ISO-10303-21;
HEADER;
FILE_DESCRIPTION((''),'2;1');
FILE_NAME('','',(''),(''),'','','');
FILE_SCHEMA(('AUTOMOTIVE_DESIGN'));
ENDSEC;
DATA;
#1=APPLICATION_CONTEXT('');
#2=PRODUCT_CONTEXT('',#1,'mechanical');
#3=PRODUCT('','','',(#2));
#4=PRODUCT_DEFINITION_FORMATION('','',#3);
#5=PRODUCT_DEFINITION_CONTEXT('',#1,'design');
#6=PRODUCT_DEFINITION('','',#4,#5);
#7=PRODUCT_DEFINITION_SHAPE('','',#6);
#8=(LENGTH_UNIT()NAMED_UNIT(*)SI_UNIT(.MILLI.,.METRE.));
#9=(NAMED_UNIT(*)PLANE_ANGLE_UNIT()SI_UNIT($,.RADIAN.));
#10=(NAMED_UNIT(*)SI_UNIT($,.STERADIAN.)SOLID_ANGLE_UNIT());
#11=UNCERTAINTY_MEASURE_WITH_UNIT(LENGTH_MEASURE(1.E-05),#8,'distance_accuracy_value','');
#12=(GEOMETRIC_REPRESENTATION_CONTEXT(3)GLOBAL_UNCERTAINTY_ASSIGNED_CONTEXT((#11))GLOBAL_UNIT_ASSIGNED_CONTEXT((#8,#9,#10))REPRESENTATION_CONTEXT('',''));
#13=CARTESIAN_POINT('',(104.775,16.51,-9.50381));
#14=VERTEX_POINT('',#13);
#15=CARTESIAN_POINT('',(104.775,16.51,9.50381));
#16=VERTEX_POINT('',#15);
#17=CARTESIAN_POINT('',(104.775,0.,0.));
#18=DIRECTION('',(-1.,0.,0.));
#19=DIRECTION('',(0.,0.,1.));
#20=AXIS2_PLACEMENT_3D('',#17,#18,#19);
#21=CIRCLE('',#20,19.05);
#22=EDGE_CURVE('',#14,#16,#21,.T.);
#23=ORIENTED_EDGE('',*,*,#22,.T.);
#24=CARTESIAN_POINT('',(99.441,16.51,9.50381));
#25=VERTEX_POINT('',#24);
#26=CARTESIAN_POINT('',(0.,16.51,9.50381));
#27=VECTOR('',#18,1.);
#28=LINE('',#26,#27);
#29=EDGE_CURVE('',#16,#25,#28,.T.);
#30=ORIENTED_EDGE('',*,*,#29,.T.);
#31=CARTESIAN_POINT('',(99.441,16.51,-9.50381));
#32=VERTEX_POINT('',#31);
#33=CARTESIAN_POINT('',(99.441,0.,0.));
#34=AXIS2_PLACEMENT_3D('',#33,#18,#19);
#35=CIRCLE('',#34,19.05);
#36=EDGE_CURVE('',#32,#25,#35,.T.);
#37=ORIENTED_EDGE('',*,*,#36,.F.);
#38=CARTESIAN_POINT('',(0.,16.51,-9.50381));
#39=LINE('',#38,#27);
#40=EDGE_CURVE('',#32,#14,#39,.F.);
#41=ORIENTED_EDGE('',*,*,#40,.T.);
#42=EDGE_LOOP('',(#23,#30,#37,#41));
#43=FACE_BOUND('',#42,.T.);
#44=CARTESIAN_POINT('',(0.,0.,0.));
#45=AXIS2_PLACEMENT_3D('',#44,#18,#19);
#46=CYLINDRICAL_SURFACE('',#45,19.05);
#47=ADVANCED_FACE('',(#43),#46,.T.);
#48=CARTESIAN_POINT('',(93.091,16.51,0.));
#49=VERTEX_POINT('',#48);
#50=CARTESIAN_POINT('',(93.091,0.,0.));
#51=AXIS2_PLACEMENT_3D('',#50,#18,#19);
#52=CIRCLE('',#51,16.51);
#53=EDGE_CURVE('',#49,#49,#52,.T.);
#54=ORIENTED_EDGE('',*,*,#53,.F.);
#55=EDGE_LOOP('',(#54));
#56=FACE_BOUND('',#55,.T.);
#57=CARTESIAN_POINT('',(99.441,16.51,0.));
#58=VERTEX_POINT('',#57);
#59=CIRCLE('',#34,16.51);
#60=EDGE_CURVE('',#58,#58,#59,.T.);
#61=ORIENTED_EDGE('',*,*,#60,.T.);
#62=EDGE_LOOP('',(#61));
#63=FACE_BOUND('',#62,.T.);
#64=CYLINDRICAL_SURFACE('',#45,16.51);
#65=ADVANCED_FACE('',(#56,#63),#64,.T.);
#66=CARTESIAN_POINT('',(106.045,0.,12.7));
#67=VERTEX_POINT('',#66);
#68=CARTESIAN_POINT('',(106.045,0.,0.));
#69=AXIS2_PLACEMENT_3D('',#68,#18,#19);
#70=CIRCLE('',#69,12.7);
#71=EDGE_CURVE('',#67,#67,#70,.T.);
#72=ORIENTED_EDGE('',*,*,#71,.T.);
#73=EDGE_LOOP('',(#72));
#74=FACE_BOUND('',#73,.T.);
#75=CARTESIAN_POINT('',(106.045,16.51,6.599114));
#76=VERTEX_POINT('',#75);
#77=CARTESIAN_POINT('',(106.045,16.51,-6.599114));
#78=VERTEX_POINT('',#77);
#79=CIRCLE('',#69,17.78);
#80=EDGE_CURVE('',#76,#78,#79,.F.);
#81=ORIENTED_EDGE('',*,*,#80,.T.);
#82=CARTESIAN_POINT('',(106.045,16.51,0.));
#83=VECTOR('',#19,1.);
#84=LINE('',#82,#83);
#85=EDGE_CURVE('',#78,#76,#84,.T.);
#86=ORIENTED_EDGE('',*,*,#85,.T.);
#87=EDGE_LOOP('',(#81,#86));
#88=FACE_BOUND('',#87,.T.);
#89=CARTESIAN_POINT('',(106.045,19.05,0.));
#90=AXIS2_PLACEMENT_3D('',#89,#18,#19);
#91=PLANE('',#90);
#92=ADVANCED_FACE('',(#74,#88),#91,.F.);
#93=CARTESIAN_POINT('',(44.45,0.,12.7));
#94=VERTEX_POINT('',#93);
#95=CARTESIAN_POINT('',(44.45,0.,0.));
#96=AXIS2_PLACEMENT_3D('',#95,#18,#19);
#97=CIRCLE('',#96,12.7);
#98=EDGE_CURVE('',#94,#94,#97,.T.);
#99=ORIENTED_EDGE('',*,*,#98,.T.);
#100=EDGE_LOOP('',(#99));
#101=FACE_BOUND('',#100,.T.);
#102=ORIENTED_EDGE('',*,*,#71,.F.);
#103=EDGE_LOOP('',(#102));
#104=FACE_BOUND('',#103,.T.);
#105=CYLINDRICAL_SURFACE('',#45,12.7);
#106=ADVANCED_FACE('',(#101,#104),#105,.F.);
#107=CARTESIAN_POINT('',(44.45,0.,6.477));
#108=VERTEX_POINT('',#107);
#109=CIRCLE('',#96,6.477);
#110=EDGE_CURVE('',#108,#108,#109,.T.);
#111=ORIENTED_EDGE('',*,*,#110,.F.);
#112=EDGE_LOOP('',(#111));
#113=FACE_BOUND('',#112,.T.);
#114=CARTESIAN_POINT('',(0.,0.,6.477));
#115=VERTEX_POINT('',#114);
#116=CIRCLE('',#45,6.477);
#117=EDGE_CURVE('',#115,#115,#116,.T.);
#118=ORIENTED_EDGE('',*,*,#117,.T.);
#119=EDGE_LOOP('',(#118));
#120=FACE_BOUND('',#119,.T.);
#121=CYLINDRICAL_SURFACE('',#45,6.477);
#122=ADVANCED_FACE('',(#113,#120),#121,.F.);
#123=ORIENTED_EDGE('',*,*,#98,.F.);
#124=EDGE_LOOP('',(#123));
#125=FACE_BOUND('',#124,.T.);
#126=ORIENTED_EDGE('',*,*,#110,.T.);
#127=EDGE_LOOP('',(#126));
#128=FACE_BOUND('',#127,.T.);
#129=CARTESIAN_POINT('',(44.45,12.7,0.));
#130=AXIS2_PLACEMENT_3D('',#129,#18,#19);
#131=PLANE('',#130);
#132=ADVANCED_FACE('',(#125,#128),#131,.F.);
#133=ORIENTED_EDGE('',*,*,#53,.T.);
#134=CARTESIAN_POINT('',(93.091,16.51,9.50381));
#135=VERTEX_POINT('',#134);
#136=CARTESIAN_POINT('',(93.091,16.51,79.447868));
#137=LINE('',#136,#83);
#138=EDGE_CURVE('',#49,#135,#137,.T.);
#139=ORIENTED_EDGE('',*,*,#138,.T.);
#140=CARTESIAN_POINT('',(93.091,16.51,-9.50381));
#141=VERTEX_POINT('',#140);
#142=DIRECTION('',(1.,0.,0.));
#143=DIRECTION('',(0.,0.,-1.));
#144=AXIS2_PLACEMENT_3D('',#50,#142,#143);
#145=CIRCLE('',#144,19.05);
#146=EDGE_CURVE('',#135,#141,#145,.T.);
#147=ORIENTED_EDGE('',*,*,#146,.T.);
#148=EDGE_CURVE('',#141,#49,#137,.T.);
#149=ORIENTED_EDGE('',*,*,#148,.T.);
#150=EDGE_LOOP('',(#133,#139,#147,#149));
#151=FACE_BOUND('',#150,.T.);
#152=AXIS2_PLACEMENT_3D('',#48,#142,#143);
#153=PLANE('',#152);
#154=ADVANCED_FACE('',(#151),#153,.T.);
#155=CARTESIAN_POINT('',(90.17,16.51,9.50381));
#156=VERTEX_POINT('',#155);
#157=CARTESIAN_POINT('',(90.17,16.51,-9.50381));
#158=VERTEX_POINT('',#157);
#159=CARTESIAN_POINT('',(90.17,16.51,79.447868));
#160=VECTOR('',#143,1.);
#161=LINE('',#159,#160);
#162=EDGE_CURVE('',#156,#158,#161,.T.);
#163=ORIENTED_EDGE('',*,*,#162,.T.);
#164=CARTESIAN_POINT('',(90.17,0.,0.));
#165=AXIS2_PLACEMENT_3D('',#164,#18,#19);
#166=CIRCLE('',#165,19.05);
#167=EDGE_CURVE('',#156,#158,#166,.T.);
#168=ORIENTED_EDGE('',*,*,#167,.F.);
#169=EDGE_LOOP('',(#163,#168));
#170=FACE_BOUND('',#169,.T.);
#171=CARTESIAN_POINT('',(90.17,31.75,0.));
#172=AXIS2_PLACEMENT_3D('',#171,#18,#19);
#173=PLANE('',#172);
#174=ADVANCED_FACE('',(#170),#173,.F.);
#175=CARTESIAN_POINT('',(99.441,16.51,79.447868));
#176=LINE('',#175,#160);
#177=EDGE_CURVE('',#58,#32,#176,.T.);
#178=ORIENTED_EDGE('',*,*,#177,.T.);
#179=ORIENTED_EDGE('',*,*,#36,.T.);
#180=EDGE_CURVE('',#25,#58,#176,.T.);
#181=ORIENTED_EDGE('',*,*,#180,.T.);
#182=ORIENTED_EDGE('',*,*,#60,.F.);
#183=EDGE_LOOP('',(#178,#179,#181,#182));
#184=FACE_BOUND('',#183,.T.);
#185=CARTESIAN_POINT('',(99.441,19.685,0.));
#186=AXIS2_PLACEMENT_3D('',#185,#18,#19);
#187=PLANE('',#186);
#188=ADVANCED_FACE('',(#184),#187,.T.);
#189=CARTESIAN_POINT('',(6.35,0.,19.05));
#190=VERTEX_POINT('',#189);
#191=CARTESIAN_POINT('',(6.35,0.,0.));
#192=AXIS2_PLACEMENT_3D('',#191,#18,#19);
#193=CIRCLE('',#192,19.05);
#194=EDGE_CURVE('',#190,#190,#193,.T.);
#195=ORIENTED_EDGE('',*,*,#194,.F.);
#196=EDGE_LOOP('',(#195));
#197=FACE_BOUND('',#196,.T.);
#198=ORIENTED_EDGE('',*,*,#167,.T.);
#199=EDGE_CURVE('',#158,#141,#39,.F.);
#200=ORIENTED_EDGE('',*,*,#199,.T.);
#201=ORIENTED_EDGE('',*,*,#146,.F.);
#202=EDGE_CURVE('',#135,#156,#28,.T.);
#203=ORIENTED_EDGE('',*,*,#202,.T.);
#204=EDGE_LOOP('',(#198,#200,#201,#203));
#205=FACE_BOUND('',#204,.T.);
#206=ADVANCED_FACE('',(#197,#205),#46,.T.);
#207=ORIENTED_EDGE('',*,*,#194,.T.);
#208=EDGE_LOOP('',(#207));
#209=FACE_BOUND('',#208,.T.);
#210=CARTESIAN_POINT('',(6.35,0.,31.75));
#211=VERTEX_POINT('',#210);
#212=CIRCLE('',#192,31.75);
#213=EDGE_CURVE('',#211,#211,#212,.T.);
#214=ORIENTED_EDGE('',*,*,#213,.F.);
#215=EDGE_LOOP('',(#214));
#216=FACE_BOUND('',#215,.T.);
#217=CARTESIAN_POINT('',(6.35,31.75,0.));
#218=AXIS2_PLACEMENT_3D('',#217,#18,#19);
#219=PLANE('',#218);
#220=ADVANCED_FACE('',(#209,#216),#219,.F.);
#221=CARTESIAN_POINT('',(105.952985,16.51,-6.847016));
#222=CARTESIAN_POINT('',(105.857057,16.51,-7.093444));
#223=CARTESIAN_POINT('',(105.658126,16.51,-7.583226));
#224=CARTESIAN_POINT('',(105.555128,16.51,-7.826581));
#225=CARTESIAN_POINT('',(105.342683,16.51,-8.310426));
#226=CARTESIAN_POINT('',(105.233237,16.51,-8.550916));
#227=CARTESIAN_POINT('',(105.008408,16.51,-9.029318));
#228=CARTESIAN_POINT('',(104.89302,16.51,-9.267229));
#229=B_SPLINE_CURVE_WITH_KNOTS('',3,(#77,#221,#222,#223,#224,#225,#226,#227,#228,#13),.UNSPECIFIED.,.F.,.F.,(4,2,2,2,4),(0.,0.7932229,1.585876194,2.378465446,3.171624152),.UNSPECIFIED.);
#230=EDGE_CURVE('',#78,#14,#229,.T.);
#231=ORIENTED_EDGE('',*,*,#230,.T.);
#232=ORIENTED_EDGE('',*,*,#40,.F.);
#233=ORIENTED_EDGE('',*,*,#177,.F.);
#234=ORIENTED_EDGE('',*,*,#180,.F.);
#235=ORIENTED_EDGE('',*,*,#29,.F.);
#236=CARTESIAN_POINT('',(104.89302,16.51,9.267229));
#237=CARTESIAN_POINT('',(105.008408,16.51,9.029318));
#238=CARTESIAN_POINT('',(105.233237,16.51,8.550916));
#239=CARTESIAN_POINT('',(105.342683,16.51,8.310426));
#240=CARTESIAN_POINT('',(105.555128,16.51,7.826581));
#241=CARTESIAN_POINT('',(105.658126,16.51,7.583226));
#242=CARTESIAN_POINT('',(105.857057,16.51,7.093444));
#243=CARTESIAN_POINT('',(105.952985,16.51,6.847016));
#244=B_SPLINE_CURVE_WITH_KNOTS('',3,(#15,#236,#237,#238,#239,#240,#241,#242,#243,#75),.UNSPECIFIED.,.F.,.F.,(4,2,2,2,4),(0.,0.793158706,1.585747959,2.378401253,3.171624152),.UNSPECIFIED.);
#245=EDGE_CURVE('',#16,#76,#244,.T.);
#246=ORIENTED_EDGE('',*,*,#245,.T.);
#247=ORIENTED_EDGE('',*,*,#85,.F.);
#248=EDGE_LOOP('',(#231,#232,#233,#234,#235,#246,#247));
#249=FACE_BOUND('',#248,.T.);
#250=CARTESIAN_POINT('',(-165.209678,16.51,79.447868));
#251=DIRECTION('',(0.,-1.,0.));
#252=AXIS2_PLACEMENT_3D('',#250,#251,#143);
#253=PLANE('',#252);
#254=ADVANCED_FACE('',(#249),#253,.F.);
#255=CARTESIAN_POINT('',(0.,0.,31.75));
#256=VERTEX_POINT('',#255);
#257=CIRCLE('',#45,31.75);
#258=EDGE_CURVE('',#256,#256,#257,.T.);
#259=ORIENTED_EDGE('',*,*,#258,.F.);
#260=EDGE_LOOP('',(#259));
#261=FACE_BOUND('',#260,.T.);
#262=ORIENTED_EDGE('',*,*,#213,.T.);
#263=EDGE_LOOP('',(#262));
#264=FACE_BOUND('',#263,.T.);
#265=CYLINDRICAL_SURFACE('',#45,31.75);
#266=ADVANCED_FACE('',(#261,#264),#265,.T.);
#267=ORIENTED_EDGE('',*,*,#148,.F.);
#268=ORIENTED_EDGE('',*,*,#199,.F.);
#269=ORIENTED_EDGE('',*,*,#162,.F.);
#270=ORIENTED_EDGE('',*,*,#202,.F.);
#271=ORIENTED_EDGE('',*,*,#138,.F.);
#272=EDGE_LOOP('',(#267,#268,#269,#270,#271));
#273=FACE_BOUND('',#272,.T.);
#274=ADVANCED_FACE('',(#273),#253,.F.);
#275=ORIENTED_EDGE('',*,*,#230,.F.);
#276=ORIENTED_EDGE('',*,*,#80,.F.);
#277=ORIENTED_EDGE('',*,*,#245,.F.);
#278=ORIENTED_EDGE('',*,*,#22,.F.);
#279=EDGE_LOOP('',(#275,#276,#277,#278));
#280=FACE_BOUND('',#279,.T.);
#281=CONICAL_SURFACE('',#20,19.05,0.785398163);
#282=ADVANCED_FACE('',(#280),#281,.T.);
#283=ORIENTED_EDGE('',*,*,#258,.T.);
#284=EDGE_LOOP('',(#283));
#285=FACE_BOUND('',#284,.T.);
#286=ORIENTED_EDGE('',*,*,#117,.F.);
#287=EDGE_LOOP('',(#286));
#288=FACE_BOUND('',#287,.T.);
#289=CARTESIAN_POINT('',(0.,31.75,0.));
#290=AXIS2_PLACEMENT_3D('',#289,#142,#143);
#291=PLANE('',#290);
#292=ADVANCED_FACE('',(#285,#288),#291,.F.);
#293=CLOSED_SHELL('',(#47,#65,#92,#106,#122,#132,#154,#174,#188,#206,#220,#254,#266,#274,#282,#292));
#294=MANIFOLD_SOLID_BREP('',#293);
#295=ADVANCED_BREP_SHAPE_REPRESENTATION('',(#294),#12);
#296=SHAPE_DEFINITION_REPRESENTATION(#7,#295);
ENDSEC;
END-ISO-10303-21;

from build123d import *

# Parameters (mm, degrees)
SKETCH2_W          = 162.317604445
SKETCH2_H          = 55.549243825
CUT_EXTRUDE1_DEPTH = 15.875
SKETCH3_W          = 6.35
SKETCH3_H          = 3.175
CHAMFER1_SIZE      = 1.27


with BuildPart() as part:
    # Sketch1 → Revolve1 (revolve)
    with BuildSketch(Plane.XY, mode=Mode.PRIVATE) as revolve1_sk:
        Polygon((0, 31.75), (0, 6.477), (44.45, 6.477), (44.45, 12.7), (106.045, 12.7), (106.045, 19.05), (6.35, 19.05), (6.35, 31.75), align=None)
    revolve(revolve1_sk.sketch.rotate(Axis((0, 0, 0), (1, 0, 0)), 90), axis=Axis((0, 0, 0), (1, 0, 0)))

    # Sketch2 → Cut-Extrude1 (cut)
    with BuildSketch(Plane(origin=(106.045, 0, 0), x_dir=(0, 0, -1), z_dir=(1, 0, 0))):
        with Locations((1.710934167, 44.284621913)):
            Rectangle(SKETCH2_W, SKETCH2_H)
    extrude(amount=-CUT_EXTRUDE1_DEPTH, mode=Mode.SUBTRACT)

    # Sketch3 → Cut-Revolve1 (revolve, cut)
    with BuildSketch(Plane.XY, mode=Mode.PRIVATE) as cut_revolve1_sk:
        with Locations((96.266, 18.0975)):
            Rectangle(SKETCH3_W, SKETCH3_H)
    revolve(cut_revolve1_sk.sketch.rotate(Axis((0, 0, 0), (1, 0, 0)), 90), axis=Axis((0, 0, 0), (1, 0, 0)), mode=Mode.SUBTRACT)

    # Chamfer1
    chamfer1_edges = [part.edges().sort_by_distance(p)[0] for p in [
        (106.045, -19.05, 0),
    ]]
    chamfer(chamfer1_edges, length=CHAMFER1_SIZE)


solid = part.part
